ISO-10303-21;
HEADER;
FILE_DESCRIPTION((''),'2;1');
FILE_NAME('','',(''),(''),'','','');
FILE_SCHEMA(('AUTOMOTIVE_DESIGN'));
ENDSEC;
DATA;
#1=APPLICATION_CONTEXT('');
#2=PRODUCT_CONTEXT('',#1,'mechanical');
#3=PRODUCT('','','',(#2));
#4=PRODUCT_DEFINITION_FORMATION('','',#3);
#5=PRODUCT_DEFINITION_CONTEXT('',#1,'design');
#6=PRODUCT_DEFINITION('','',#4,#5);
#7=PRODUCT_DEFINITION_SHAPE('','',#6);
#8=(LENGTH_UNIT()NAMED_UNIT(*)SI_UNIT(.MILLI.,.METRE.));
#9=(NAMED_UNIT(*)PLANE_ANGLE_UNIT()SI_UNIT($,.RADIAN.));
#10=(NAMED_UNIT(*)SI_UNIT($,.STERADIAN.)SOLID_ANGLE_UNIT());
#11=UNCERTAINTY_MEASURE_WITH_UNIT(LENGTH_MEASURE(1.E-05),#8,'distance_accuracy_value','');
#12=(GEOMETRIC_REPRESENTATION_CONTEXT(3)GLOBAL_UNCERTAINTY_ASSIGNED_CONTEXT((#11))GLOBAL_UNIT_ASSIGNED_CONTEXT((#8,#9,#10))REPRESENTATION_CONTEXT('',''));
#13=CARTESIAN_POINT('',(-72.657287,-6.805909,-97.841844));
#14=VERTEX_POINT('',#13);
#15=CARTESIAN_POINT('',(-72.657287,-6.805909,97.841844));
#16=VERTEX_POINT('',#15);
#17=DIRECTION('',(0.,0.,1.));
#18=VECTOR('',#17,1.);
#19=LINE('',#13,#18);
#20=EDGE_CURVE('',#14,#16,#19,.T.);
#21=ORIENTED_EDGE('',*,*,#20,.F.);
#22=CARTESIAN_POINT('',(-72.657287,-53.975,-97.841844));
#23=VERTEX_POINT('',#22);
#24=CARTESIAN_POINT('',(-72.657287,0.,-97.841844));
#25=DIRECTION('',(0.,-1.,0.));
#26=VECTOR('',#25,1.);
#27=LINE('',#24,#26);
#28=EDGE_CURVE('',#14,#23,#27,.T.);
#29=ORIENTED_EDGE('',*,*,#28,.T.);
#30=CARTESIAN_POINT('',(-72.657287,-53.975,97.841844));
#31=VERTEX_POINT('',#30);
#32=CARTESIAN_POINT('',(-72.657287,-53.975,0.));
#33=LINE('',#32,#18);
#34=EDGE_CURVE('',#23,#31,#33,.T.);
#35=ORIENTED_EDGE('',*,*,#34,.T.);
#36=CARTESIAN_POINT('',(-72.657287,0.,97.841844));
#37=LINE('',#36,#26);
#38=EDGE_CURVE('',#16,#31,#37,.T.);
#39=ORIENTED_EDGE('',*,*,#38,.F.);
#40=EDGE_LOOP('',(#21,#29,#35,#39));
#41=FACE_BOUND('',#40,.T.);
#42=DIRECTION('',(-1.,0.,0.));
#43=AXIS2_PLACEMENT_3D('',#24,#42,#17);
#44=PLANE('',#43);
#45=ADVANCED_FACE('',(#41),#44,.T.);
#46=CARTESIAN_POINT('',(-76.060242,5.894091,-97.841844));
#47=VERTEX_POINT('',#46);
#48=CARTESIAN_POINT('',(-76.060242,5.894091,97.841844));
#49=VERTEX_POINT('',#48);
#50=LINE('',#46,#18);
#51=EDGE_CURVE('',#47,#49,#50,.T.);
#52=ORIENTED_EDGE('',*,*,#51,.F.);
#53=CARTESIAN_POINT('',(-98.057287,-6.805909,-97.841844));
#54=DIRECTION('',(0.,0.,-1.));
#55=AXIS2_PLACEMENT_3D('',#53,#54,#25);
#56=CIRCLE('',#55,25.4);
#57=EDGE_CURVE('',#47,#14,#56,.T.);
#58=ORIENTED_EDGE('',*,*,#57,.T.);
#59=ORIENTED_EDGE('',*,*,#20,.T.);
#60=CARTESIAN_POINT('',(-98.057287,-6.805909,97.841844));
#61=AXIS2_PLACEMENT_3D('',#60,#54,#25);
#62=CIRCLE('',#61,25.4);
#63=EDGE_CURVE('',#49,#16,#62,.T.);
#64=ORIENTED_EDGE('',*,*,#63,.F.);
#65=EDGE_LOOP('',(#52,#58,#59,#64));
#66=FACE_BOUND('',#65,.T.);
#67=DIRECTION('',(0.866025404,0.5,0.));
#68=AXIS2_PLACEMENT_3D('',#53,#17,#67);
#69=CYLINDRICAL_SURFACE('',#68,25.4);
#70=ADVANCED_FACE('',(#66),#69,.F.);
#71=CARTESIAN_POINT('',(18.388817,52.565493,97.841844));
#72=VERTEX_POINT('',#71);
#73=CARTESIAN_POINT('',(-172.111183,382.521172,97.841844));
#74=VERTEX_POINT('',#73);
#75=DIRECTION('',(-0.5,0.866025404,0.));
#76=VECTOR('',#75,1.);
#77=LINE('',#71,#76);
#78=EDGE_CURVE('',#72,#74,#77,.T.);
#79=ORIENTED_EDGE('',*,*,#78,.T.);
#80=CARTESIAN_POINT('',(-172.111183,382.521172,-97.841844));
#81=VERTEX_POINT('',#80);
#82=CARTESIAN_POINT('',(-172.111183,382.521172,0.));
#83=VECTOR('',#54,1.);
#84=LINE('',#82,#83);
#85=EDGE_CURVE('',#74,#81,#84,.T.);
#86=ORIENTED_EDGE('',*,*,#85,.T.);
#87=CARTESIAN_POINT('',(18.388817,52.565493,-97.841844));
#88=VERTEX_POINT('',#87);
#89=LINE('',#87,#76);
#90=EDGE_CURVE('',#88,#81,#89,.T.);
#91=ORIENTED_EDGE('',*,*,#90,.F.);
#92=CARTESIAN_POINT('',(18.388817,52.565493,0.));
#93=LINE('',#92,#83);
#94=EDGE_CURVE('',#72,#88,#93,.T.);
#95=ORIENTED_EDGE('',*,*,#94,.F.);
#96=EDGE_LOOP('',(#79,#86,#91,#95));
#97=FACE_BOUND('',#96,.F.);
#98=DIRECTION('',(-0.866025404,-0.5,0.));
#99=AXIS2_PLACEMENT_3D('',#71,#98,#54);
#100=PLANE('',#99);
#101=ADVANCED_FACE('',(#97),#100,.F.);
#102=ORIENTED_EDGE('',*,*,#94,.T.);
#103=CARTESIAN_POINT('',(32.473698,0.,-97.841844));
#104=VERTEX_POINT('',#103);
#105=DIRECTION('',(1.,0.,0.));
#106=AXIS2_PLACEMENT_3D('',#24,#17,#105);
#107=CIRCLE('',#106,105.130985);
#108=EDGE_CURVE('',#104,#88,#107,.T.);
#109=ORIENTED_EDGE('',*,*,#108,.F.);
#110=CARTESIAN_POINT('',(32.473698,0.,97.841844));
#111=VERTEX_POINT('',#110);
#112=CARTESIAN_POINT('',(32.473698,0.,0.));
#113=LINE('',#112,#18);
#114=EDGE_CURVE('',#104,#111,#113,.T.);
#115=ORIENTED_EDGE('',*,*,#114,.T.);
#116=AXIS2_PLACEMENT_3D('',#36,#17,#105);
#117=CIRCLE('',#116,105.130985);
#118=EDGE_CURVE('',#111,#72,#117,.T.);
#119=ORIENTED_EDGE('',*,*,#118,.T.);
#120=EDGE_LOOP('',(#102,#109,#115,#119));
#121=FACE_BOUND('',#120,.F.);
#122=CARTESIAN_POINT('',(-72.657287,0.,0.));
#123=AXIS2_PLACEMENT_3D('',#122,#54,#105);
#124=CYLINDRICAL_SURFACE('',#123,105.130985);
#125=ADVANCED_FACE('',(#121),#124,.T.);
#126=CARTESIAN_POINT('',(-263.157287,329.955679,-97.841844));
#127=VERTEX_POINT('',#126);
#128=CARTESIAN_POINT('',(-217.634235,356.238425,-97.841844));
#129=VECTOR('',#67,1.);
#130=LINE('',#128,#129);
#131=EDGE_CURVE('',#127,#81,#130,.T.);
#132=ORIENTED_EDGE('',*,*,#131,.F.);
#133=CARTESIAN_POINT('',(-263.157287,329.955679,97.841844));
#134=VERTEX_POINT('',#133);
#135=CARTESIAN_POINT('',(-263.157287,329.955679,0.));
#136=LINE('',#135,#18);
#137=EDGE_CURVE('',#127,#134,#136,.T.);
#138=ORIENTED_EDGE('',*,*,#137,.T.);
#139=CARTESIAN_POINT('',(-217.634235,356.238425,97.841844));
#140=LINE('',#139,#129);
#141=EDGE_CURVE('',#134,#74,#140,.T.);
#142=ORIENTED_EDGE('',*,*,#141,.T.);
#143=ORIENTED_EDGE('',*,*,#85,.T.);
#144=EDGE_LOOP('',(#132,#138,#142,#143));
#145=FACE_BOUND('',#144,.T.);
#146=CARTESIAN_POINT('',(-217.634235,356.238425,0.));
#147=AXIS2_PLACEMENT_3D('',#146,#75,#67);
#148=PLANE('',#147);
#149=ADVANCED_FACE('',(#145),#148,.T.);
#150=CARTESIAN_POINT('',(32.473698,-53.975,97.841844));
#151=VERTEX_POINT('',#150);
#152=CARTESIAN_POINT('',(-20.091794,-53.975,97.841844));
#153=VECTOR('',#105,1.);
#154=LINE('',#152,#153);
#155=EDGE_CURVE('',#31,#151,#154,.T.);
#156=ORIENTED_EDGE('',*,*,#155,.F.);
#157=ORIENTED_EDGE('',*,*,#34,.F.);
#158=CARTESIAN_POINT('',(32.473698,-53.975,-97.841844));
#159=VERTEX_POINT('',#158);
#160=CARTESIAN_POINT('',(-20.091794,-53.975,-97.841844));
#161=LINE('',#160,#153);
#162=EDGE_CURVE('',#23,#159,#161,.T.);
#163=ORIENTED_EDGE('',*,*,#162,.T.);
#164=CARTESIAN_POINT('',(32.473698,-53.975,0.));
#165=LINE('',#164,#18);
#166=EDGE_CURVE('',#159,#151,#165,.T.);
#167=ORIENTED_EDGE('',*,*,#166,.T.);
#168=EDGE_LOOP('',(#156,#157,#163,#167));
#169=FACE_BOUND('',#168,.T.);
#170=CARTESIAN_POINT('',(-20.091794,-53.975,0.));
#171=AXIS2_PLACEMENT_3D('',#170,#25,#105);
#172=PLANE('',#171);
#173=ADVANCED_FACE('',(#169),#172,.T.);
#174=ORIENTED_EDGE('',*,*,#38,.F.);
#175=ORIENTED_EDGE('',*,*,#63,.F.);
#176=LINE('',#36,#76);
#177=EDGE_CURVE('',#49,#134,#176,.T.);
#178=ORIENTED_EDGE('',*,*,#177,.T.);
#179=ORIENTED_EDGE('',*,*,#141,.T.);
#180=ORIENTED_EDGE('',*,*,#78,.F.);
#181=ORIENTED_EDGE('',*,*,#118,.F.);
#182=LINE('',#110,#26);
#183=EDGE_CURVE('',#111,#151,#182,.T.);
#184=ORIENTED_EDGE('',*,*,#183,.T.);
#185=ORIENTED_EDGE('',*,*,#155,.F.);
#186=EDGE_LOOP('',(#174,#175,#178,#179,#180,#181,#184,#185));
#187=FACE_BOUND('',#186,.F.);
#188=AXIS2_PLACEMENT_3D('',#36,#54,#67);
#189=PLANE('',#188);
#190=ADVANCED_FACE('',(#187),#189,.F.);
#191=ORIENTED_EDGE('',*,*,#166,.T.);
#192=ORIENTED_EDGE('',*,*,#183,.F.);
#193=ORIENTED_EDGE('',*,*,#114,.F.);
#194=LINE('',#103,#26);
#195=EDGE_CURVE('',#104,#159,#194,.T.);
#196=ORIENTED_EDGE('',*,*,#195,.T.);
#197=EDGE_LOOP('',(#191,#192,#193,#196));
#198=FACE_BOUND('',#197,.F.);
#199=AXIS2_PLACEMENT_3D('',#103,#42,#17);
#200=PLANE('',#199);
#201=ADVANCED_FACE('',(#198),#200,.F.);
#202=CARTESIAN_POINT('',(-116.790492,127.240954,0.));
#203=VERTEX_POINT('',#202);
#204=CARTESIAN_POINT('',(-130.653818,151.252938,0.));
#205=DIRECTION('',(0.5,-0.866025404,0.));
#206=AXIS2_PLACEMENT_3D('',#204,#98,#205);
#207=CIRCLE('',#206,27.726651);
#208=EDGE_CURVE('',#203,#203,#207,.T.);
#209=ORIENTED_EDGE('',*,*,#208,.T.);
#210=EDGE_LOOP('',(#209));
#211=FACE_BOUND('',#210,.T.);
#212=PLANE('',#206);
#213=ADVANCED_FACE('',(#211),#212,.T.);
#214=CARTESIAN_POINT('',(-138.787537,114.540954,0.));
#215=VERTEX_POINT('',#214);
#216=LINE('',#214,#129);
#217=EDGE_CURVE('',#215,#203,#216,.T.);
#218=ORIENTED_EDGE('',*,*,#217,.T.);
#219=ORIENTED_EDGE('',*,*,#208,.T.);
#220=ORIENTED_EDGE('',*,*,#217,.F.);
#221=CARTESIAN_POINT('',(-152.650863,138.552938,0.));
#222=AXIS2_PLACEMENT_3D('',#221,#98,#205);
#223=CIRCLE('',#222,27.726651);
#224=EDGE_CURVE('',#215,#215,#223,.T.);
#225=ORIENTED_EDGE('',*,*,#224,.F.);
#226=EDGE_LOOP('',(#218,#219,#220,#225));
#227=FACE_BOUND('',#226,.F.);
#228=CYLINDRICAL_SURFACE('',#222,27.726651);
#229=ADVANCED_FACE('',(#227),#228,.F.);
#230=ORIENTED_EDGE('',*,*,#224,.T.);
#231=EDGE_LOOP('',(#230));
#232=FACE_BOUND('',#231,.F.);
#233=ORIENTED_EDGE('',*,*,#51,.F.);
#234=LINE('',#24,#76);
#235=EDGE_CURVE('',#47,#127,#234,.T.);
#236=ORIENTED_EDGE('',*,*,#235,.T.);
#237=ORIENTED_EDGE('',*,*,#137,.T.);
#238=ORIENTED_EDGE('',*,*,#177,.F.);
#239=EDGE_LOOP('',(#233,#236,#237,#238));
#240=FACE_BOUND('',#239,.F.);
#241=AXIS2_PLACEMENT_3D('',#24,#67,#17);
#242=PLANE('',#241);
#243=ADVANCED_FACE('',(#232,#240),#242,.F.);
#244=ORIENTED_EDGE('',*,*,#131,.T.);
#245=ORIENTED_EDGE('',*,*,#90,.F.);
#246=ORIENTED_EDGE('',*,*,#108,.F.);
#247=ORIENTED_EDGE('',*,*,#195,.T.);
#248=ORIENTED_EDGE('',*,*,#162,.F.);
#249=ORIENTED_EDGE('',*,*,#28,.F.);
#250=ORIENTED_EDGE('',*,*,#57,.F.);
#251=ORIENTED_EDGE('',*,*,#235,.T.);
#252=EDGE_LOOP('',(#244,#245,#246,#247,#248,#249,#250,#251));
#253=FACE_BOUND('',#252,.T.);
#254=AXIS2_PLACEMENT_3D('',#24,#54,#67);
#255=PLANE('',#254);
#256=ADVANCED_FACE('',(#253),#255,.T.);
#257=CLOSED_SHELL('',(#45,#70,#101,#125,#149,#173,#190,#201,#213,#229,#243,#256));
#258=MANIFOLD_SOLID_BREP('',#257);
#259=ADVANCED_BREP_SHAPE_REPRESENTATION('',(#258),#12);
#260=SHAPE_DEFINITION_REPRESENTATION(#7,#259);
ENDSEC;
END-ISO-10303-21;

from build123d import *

# Parameters (mm, degrees)
F0_W      = 105.1309853792
F0_H      = 195.6836879253
F1_DEPTH  = 53.975
F1_FACE_W = 105.1309853792
F1_FACE_H = 195.6836879253
F2_ANGLE  = 30
F3_DEPTH  = 381
F4_R      = 25.4
F5_R      = 27.7266508926
F6_DEPTH  = 25.4


with BuildPart() as f1:
    # F0 (on Front) → F1 (new body)
    with BuildSketch(Plane.XZ):
        with Locations((-20.0917944312, 0)):
            Rectangle(F0_W, F0_H)
    extrude(amount=F1_DEPTH)

    # F1_face (on face) → F2 (revolve)
    with BuildSketch(Plane(origin=(-20.0917944312, 0, 0), x_dir=(1, 0, 0), z_dir=(0, 1, 0))):
        Rectangle(F1_FACE_W, F1_FACE_H)
    revolve(axis=Axis((-72.6572871208, 0, 0), (0, 0, 1)), revolution_arc=F2_ANGLE)

    # F3 (add): a face of the model
    f3_faces = [f1.faces().sort_by_distance(p)[0] for p in [
        (-27.1342350892, 26.2827463448, 0),
    ]]
    extrude(f3_faces, amount=F3_DEPTH)

    # F4
    f4_edges = [f1.edges().sort_by_distance(p)[0] for p in [
        (-72.657287, 0, 0),
    ]]
    fillet(f4_edges, radius=F4_R)

    # F5 (on face) → F6 (cut)
    with BuildSketch(Plane(origin=(-54.4929653406, -31.4615282083, 0), x_dir=(0.5, -0.8660254038, 0), z_dir=(-0.8660254038, -0.5, 0))):
        with Locations((-196.3157951832, 0)):
            Circle(F5_R)
    extrude(amount=-F6_DEPTH, mode=Mode.SUBTRACT)


solid = f1.part
